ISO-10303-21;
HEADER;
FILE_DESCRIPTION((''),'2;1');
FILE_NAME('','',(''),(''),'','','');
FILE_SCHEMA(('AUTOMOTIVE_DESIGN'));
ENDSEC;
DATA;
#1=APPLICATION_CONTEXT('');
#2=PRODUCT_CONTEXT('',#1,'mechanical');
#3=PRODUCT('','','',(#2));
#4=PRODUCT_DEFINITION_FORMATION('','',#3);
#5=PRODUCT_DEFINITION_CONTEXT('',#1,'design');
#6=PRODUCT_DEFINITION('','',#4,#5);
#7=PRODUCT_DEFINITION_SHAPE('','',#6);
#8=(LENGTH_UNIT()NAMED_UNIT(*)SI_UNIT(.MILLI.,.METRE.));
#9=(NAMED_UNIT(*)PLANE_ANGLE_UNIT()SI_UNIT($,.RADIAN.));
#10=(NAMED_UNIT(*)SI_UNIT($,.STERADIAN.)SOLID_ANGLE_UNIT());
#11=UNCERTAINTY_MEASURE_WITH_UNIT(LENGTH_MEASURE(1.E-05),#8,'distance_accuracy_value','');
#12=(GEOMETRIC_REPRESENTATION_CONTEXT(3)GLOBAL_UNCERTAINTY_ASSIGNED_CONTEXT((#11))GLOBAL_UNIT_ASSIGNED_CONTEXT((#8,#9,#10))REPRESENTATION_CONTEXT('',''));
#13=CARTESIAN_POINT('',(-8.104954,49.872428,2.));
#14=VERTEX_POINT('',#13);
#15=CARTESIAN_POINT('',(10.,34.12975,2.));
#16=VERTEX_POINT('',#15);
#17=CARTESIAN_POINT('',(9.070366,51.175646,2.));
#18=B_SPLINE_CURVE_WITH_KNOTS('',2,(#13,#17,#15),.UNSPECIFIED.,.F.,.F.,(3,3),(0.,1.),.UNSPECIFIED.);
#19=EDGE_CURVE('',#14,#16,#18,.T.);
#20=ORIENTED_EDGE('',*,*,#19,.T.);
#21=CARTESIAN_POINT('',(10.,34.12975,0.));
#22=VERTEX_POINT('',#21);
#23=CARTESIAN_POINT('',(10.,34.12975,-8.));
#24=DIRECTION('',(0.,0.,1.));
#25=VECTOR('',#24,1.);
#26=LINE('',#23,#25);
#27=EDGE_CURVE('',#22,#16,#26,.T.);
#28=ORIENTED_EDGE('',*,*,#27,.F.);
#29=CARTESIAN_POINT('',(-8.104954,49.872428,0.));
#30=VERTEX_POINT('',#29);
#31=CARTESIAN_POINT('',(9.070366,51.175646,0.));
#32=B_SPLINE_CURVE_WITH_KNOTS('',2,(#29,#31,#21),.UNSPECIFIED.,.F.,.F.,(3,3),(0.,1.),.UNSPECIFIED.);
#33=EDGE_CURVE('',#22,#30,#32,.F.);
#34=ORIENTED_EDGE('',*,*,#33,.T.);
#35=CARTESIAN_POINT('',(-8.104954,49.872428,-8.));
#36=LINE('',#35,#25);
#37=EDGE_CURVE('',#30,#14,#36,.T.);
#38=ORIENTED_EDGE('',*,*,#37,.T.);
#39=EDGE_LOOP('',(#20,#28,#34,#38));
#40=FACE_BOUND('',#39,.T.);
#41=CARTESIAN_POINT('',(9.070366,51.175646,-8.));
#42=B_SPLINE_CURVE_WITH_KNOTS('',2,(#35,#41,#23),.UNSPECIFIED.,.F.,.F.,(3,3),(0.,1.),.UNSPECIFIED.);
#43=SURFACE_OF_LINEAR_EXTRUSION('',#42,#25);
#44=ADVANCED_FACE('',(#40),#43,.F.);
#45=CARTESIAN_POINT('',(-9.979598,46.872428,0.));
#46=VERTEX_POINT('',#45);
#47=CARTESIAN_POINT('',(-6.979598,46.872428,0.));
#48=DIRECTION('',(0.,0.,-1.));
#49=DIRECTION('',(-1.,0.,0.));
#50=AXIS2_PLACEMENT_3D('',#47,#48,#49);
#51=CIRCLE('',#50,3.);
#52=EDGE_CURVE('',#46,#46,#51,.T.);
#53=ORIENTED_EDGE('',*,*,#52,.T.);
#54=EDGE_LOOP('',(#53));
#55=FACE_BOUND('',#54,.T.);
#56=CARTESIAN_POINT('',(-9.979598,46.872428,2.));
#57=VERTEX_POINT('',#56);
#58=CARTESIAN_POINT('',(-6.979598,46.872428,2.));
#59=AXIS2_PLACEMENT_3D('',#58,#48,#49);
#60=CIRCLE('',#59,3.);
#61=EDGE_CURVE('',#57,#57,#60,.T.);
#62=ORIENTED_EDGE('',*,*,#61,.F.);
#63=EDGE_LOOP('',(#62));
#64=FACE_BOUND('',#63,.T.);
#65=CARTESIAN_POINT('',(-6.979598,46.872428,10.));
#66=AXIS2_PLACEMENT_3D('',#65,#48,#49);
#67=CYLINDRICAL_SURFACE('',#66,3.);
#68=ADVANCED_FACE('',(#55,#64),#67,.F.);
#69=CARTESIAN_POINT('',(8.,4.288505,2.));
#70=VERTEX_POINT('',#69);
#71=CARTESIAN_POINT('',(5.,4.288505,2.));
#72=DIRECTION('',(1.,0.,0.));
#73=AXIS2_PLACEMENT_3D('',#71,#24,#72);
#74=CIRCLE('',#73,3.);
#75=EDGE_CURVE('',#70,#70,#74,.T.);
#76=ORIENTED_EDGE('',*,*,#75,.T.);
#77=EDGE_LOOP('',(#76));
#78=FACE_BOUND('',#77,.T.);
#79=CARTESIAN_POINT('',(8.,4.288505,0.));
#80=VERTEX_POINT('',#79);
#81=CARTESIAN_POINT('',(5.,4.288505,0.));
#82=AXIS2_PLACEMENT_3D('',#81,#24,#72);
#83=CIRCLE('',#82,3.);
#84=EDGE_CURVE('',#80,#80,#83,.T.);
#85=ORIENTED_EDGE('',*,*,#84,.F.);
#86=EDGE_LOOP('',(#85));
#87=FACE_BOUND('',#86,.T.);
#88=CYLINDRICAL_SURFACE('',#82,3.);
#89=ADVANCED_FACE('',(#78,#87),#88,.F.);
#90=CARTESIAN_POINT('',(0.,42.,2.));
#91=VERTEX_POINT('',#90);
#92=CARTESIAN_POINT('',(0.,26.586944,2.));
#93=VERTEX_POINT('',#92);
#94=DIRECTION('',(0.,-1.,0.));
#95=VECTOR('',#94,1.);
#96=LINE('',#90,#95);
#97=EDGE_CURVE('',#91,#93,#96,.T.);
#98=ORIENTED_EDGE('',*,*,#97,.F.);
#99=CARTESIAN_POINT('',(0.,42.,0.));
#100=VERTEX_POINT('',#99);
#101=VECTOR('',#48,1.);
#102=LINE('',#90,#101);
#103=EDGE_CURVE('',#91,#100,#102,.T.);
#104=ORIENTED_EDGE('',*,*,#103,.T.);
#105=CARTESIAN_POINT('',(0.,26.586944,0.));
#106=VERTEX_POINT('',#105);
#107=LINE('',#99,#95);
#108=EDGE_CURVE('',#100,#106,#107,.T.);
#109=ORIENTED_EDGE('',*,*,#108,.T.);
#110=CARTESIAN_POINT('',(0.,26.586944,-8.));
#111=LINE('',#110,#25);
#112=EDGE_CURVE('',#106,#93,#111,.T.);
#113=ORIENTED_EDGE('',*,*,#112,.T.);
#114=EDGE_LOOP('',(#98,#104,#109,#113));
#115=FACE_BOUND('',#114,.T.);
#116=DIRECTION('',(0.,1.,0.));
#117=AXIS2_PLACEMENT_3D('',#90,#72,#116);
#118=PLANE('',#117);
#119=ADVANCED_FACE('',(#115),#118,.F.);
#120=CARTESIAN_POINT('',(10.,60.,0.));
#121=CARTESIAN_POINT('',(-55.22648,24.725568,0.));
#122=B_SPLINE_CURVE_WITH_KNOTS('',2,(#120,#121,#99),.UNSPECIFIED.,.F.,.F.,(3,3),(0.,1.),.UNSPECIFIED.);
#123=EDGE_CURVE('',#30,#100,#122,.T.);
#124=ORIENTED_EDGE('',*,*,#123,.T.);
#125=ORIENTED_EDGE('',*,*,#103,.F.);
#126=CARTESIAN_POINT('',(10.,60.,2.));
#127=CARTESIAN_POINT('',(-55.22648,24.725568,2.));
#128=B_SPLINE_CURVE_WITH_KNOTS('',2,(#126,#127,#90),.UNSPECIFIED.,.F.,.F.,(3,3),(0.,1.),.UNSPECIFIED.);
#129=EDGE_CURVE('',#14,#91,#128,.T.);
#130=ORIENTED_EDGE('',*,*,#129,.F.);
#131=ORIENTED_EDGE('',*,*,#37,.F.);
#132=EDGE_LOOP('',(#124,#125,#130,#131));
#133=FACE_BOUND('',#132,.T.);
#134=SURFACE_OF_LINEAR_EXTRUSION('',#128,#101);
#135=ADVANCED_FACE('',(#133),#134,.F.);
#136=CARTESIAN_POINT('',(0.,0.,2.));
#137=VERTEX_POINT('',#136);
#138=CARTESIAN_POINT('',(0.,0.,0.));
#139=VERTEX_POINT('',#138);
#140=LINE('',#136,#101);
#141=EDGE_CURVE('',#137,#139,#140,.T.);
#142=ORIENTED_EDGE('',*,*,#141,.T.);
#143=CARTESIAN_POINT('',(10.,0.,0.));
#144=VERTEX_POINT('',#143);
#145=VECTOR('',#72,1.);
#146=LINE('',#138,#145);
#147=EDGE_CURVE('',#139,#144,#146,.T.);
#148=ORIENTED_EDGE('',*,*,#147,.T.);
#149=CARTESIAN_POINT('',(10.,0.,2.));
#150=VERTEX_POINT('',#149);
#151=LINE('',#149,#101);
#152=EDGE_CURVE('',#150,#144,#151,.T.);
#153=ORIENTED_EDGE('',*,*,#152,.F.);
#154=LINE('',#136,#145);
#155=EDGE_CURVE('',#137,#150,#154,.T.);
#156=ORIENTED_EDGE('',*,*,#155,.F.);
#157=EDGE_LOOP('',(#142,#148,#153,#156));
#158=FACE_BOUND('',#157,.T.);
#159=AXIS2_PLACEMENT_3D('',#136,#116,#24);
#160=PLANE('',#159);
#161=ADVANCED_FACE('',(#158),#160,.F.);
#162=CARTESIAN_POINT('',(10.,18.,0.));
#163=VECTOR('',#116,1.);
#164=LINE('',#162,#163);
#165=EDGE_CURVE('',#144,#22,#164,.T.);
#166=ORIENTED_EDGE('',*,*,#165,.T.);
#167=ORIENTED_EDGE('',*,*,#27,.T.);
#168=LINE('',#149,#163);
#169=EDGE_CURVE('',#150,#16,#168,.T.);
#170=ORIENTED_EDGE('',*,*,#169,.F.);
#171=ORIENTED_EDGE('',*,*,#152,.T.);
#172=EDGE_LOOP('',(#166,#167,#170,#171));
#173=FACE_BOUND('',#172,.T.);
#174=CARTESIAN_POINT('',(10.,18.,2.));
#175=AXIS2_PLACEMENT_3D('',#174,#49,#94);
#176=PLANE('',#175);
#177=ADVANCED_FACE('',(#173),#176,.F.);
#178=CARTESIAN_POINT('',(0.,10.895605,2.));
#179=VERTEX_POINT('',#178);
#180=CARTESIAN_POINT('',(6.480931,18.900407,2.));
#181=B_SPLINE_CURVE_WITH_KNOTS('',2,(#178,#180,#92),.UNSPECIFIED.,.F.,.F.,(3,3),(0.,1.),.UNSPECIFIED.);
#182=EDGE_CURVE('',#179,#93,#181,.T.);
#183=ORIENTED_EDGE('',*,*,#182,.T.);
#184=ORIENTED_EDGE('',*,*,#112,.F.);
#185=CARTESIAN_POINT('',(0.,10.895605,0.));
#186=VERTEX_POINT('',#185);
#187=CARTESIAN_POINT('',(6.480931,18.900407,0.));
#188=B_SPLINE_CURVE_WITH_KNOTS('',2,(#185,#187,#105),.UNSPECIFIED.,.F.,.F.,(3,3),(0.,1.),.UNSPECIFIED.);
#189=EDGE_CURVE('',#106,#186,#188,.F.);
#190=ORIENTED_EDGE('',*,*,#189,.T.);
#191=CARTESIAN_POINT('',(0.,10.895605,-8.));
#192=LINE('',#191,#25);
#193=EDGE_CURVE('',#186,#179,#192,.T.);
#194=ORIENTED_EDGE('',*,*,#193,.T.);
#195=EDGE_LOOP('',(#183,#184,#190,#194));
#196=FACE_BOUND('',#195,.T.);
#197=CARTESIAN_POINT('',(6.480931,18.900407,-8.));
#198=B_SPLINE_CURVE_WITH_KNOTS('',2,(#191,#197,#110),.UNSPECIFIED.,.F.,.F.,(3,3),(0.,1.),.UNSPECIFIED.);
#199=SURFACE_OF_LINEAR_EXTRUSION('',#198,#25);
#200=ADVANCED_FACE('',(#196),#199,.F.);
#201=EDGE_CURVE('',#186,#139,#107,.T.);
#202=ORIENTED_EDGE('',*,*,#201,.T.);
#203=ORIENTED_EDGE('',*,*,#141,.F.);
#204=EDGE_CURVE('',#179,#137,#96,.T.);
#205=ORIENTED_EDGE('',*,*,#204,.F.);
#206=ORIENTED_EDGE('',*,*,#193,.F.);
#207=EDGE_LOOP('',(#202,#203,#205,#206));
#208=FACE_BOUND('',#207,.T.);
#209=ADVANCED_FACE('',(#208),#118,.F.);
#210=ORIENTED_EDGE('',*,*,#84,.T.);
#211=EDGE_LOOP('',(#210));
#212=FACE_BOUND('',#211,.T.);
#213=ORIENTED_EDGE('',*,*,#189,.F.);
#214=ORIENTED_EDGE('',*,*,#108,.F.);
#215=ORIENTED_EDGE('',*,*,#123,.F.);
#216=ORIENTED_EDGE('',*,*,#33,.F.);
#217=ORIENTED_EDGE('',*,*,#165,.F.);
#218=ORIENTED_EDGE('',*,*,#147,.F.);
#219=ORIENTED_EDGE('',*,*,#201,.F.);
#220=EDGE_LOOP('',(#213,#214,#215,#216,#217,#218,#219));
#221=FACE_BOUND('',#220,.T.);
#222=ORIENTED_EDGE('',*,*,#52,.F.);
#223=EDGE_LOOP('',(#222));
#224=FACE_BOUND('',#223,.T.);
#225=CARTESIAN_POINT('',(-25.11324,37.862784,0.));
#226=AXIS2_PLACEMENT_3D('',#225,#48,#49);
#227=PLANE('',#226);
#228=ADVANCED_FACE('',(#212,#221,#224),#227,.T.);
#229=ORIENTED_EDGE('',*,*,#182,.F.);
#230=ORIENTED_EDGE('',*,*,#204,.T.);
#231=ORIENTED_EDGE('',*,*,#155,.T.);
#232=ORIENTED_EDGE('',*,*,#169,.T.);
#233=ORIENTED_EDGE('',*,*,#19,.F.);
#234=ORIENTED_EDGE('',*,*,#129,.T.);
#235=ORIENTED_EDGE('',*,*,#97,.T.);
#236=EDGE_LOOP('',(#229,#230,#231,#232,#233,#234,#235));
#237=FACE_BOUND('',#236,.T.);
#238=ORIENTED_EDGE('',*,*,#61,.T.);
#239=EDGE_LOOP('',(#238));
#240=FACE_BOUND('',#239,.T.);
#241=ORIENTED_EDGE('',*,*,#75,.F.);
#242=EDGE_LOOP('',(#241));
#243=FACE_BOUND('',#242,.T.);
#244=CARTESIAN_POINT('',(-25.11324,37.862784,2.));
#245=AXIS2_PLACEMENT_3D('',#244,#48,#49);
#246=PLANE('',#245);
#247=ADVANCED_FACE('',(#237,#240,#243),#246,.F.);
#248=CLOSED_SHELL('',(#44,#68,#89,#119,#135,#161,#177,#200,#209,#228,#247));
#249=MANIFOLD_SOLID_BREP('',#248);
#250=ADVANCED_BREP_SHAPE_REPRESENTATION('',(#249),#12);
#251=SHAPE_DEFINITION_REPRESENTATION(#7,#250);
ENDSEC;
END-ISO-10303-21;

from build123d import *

# Parameters (mm, degrees)
BOSS_EXTRU_1_DEPTH      = 2
ESQUISSE2_R             = 3
ENL_V_MAT_EXTRU_1_DEPTH = 2
ENL_V_MAT_EXTRU_2_DEPTH = 10
ENL_V_MAT_EXTRU_3_DEPTH = 10
ESQUISSE5_R             = 3
ENL_V_MAT_EXTRU_4_DEPTH = 10


with BuildPart() as part:
    # Esquisse1 → Boss.-Extru.1 (new body)
    with BuildSketch(Plane.XY):
        with BuildLine():
            Line((0, 0), (10, 0))
            Line((10, 0), (10, 18))
            Line((10, 18), (10, 60))
            add(Edge.make_bspline(
                [(10, 60), (-55.226480478, 24.725568105), (0, 42)],
                knots=[0, 0, 0, 1, 1, 1], degree=2))
            Line((0, 42), (0, 0))
        make_face()
    extrude(amount=BOSS_EXTRU_1_DEPTH)

    # Esquisse2 → Enlèv. mat.-Extru.1 (cut)
    with BuildSketch(Plane.XY.offset(2)):
        with Locations((5, 4.288504874)):
            Circle(ESQUISSE2_R)
    extrude(amount=-ENL_V_MAT_EXTRU_1_DEPTH, mode=Mode.SUBTRACT)

    # Esquisse3 → Enlèv. mat.-Extru.2 (cut)
    with BuildSketch(Plane.XY.offset(2)):
        with BuildLine():
            Line((0, 26.586944004), (0, 10.895604928))
            add(Edge.make_bspline(
                [(0, 26.586944004), (6.480930753, 18.900406898), (0, 10.895604928)],
                knots=[0, 0, 0, 1, 1, 1], degree=2))
        make_face()
    extrude(amount=-ENL_V_MAT_EXTRU_2_DEPTH, mode=Mode.SUBTRACT)

    # Esquisse4 → Enlèv. mat.-Extru.3 (cut)
    with BuildSketch(Plane.XY.offset(2)):
        with BuildLine():
            Line((10, 34.129750272), (10, 60))
            add(Edge.make_bspline(
                [(10, 60), (-0.661573878, 54.234228815), (-8.10495368, 49.872428448)],
                knots=[0, 0, 0, 1, 1, 1], degree=2))
            add(Edge.make_bspline(
                [(10, 34.129750272), (9.070365691, 51.175646323), (-8.10495368, 49.872428448)],
                knots=[0, 0, 0, 1, 1, 1], degree=2))
        make_face()
    extrude(amount=-ENL_V_MAT_EXTRU_3_DEPTH, mode=Mode.SUBTRACT)

    # Esquisse5 → Enlèv. mat.-Extru.4 (cut)
    with BuildSketch(Plane(origin=(0, 0, 0), x_dir=(-1, 0, 0), z_dir=(0, 0, -1))):
        with Locations((6.979598084, 46.87242842)):
            Circle(ESQUISSE5_R)
    extrude(amount=-ENL_V_MAT_EXTRU_4_DEPTH, mode=Mode.SUBTRACT)


solid = part.part
